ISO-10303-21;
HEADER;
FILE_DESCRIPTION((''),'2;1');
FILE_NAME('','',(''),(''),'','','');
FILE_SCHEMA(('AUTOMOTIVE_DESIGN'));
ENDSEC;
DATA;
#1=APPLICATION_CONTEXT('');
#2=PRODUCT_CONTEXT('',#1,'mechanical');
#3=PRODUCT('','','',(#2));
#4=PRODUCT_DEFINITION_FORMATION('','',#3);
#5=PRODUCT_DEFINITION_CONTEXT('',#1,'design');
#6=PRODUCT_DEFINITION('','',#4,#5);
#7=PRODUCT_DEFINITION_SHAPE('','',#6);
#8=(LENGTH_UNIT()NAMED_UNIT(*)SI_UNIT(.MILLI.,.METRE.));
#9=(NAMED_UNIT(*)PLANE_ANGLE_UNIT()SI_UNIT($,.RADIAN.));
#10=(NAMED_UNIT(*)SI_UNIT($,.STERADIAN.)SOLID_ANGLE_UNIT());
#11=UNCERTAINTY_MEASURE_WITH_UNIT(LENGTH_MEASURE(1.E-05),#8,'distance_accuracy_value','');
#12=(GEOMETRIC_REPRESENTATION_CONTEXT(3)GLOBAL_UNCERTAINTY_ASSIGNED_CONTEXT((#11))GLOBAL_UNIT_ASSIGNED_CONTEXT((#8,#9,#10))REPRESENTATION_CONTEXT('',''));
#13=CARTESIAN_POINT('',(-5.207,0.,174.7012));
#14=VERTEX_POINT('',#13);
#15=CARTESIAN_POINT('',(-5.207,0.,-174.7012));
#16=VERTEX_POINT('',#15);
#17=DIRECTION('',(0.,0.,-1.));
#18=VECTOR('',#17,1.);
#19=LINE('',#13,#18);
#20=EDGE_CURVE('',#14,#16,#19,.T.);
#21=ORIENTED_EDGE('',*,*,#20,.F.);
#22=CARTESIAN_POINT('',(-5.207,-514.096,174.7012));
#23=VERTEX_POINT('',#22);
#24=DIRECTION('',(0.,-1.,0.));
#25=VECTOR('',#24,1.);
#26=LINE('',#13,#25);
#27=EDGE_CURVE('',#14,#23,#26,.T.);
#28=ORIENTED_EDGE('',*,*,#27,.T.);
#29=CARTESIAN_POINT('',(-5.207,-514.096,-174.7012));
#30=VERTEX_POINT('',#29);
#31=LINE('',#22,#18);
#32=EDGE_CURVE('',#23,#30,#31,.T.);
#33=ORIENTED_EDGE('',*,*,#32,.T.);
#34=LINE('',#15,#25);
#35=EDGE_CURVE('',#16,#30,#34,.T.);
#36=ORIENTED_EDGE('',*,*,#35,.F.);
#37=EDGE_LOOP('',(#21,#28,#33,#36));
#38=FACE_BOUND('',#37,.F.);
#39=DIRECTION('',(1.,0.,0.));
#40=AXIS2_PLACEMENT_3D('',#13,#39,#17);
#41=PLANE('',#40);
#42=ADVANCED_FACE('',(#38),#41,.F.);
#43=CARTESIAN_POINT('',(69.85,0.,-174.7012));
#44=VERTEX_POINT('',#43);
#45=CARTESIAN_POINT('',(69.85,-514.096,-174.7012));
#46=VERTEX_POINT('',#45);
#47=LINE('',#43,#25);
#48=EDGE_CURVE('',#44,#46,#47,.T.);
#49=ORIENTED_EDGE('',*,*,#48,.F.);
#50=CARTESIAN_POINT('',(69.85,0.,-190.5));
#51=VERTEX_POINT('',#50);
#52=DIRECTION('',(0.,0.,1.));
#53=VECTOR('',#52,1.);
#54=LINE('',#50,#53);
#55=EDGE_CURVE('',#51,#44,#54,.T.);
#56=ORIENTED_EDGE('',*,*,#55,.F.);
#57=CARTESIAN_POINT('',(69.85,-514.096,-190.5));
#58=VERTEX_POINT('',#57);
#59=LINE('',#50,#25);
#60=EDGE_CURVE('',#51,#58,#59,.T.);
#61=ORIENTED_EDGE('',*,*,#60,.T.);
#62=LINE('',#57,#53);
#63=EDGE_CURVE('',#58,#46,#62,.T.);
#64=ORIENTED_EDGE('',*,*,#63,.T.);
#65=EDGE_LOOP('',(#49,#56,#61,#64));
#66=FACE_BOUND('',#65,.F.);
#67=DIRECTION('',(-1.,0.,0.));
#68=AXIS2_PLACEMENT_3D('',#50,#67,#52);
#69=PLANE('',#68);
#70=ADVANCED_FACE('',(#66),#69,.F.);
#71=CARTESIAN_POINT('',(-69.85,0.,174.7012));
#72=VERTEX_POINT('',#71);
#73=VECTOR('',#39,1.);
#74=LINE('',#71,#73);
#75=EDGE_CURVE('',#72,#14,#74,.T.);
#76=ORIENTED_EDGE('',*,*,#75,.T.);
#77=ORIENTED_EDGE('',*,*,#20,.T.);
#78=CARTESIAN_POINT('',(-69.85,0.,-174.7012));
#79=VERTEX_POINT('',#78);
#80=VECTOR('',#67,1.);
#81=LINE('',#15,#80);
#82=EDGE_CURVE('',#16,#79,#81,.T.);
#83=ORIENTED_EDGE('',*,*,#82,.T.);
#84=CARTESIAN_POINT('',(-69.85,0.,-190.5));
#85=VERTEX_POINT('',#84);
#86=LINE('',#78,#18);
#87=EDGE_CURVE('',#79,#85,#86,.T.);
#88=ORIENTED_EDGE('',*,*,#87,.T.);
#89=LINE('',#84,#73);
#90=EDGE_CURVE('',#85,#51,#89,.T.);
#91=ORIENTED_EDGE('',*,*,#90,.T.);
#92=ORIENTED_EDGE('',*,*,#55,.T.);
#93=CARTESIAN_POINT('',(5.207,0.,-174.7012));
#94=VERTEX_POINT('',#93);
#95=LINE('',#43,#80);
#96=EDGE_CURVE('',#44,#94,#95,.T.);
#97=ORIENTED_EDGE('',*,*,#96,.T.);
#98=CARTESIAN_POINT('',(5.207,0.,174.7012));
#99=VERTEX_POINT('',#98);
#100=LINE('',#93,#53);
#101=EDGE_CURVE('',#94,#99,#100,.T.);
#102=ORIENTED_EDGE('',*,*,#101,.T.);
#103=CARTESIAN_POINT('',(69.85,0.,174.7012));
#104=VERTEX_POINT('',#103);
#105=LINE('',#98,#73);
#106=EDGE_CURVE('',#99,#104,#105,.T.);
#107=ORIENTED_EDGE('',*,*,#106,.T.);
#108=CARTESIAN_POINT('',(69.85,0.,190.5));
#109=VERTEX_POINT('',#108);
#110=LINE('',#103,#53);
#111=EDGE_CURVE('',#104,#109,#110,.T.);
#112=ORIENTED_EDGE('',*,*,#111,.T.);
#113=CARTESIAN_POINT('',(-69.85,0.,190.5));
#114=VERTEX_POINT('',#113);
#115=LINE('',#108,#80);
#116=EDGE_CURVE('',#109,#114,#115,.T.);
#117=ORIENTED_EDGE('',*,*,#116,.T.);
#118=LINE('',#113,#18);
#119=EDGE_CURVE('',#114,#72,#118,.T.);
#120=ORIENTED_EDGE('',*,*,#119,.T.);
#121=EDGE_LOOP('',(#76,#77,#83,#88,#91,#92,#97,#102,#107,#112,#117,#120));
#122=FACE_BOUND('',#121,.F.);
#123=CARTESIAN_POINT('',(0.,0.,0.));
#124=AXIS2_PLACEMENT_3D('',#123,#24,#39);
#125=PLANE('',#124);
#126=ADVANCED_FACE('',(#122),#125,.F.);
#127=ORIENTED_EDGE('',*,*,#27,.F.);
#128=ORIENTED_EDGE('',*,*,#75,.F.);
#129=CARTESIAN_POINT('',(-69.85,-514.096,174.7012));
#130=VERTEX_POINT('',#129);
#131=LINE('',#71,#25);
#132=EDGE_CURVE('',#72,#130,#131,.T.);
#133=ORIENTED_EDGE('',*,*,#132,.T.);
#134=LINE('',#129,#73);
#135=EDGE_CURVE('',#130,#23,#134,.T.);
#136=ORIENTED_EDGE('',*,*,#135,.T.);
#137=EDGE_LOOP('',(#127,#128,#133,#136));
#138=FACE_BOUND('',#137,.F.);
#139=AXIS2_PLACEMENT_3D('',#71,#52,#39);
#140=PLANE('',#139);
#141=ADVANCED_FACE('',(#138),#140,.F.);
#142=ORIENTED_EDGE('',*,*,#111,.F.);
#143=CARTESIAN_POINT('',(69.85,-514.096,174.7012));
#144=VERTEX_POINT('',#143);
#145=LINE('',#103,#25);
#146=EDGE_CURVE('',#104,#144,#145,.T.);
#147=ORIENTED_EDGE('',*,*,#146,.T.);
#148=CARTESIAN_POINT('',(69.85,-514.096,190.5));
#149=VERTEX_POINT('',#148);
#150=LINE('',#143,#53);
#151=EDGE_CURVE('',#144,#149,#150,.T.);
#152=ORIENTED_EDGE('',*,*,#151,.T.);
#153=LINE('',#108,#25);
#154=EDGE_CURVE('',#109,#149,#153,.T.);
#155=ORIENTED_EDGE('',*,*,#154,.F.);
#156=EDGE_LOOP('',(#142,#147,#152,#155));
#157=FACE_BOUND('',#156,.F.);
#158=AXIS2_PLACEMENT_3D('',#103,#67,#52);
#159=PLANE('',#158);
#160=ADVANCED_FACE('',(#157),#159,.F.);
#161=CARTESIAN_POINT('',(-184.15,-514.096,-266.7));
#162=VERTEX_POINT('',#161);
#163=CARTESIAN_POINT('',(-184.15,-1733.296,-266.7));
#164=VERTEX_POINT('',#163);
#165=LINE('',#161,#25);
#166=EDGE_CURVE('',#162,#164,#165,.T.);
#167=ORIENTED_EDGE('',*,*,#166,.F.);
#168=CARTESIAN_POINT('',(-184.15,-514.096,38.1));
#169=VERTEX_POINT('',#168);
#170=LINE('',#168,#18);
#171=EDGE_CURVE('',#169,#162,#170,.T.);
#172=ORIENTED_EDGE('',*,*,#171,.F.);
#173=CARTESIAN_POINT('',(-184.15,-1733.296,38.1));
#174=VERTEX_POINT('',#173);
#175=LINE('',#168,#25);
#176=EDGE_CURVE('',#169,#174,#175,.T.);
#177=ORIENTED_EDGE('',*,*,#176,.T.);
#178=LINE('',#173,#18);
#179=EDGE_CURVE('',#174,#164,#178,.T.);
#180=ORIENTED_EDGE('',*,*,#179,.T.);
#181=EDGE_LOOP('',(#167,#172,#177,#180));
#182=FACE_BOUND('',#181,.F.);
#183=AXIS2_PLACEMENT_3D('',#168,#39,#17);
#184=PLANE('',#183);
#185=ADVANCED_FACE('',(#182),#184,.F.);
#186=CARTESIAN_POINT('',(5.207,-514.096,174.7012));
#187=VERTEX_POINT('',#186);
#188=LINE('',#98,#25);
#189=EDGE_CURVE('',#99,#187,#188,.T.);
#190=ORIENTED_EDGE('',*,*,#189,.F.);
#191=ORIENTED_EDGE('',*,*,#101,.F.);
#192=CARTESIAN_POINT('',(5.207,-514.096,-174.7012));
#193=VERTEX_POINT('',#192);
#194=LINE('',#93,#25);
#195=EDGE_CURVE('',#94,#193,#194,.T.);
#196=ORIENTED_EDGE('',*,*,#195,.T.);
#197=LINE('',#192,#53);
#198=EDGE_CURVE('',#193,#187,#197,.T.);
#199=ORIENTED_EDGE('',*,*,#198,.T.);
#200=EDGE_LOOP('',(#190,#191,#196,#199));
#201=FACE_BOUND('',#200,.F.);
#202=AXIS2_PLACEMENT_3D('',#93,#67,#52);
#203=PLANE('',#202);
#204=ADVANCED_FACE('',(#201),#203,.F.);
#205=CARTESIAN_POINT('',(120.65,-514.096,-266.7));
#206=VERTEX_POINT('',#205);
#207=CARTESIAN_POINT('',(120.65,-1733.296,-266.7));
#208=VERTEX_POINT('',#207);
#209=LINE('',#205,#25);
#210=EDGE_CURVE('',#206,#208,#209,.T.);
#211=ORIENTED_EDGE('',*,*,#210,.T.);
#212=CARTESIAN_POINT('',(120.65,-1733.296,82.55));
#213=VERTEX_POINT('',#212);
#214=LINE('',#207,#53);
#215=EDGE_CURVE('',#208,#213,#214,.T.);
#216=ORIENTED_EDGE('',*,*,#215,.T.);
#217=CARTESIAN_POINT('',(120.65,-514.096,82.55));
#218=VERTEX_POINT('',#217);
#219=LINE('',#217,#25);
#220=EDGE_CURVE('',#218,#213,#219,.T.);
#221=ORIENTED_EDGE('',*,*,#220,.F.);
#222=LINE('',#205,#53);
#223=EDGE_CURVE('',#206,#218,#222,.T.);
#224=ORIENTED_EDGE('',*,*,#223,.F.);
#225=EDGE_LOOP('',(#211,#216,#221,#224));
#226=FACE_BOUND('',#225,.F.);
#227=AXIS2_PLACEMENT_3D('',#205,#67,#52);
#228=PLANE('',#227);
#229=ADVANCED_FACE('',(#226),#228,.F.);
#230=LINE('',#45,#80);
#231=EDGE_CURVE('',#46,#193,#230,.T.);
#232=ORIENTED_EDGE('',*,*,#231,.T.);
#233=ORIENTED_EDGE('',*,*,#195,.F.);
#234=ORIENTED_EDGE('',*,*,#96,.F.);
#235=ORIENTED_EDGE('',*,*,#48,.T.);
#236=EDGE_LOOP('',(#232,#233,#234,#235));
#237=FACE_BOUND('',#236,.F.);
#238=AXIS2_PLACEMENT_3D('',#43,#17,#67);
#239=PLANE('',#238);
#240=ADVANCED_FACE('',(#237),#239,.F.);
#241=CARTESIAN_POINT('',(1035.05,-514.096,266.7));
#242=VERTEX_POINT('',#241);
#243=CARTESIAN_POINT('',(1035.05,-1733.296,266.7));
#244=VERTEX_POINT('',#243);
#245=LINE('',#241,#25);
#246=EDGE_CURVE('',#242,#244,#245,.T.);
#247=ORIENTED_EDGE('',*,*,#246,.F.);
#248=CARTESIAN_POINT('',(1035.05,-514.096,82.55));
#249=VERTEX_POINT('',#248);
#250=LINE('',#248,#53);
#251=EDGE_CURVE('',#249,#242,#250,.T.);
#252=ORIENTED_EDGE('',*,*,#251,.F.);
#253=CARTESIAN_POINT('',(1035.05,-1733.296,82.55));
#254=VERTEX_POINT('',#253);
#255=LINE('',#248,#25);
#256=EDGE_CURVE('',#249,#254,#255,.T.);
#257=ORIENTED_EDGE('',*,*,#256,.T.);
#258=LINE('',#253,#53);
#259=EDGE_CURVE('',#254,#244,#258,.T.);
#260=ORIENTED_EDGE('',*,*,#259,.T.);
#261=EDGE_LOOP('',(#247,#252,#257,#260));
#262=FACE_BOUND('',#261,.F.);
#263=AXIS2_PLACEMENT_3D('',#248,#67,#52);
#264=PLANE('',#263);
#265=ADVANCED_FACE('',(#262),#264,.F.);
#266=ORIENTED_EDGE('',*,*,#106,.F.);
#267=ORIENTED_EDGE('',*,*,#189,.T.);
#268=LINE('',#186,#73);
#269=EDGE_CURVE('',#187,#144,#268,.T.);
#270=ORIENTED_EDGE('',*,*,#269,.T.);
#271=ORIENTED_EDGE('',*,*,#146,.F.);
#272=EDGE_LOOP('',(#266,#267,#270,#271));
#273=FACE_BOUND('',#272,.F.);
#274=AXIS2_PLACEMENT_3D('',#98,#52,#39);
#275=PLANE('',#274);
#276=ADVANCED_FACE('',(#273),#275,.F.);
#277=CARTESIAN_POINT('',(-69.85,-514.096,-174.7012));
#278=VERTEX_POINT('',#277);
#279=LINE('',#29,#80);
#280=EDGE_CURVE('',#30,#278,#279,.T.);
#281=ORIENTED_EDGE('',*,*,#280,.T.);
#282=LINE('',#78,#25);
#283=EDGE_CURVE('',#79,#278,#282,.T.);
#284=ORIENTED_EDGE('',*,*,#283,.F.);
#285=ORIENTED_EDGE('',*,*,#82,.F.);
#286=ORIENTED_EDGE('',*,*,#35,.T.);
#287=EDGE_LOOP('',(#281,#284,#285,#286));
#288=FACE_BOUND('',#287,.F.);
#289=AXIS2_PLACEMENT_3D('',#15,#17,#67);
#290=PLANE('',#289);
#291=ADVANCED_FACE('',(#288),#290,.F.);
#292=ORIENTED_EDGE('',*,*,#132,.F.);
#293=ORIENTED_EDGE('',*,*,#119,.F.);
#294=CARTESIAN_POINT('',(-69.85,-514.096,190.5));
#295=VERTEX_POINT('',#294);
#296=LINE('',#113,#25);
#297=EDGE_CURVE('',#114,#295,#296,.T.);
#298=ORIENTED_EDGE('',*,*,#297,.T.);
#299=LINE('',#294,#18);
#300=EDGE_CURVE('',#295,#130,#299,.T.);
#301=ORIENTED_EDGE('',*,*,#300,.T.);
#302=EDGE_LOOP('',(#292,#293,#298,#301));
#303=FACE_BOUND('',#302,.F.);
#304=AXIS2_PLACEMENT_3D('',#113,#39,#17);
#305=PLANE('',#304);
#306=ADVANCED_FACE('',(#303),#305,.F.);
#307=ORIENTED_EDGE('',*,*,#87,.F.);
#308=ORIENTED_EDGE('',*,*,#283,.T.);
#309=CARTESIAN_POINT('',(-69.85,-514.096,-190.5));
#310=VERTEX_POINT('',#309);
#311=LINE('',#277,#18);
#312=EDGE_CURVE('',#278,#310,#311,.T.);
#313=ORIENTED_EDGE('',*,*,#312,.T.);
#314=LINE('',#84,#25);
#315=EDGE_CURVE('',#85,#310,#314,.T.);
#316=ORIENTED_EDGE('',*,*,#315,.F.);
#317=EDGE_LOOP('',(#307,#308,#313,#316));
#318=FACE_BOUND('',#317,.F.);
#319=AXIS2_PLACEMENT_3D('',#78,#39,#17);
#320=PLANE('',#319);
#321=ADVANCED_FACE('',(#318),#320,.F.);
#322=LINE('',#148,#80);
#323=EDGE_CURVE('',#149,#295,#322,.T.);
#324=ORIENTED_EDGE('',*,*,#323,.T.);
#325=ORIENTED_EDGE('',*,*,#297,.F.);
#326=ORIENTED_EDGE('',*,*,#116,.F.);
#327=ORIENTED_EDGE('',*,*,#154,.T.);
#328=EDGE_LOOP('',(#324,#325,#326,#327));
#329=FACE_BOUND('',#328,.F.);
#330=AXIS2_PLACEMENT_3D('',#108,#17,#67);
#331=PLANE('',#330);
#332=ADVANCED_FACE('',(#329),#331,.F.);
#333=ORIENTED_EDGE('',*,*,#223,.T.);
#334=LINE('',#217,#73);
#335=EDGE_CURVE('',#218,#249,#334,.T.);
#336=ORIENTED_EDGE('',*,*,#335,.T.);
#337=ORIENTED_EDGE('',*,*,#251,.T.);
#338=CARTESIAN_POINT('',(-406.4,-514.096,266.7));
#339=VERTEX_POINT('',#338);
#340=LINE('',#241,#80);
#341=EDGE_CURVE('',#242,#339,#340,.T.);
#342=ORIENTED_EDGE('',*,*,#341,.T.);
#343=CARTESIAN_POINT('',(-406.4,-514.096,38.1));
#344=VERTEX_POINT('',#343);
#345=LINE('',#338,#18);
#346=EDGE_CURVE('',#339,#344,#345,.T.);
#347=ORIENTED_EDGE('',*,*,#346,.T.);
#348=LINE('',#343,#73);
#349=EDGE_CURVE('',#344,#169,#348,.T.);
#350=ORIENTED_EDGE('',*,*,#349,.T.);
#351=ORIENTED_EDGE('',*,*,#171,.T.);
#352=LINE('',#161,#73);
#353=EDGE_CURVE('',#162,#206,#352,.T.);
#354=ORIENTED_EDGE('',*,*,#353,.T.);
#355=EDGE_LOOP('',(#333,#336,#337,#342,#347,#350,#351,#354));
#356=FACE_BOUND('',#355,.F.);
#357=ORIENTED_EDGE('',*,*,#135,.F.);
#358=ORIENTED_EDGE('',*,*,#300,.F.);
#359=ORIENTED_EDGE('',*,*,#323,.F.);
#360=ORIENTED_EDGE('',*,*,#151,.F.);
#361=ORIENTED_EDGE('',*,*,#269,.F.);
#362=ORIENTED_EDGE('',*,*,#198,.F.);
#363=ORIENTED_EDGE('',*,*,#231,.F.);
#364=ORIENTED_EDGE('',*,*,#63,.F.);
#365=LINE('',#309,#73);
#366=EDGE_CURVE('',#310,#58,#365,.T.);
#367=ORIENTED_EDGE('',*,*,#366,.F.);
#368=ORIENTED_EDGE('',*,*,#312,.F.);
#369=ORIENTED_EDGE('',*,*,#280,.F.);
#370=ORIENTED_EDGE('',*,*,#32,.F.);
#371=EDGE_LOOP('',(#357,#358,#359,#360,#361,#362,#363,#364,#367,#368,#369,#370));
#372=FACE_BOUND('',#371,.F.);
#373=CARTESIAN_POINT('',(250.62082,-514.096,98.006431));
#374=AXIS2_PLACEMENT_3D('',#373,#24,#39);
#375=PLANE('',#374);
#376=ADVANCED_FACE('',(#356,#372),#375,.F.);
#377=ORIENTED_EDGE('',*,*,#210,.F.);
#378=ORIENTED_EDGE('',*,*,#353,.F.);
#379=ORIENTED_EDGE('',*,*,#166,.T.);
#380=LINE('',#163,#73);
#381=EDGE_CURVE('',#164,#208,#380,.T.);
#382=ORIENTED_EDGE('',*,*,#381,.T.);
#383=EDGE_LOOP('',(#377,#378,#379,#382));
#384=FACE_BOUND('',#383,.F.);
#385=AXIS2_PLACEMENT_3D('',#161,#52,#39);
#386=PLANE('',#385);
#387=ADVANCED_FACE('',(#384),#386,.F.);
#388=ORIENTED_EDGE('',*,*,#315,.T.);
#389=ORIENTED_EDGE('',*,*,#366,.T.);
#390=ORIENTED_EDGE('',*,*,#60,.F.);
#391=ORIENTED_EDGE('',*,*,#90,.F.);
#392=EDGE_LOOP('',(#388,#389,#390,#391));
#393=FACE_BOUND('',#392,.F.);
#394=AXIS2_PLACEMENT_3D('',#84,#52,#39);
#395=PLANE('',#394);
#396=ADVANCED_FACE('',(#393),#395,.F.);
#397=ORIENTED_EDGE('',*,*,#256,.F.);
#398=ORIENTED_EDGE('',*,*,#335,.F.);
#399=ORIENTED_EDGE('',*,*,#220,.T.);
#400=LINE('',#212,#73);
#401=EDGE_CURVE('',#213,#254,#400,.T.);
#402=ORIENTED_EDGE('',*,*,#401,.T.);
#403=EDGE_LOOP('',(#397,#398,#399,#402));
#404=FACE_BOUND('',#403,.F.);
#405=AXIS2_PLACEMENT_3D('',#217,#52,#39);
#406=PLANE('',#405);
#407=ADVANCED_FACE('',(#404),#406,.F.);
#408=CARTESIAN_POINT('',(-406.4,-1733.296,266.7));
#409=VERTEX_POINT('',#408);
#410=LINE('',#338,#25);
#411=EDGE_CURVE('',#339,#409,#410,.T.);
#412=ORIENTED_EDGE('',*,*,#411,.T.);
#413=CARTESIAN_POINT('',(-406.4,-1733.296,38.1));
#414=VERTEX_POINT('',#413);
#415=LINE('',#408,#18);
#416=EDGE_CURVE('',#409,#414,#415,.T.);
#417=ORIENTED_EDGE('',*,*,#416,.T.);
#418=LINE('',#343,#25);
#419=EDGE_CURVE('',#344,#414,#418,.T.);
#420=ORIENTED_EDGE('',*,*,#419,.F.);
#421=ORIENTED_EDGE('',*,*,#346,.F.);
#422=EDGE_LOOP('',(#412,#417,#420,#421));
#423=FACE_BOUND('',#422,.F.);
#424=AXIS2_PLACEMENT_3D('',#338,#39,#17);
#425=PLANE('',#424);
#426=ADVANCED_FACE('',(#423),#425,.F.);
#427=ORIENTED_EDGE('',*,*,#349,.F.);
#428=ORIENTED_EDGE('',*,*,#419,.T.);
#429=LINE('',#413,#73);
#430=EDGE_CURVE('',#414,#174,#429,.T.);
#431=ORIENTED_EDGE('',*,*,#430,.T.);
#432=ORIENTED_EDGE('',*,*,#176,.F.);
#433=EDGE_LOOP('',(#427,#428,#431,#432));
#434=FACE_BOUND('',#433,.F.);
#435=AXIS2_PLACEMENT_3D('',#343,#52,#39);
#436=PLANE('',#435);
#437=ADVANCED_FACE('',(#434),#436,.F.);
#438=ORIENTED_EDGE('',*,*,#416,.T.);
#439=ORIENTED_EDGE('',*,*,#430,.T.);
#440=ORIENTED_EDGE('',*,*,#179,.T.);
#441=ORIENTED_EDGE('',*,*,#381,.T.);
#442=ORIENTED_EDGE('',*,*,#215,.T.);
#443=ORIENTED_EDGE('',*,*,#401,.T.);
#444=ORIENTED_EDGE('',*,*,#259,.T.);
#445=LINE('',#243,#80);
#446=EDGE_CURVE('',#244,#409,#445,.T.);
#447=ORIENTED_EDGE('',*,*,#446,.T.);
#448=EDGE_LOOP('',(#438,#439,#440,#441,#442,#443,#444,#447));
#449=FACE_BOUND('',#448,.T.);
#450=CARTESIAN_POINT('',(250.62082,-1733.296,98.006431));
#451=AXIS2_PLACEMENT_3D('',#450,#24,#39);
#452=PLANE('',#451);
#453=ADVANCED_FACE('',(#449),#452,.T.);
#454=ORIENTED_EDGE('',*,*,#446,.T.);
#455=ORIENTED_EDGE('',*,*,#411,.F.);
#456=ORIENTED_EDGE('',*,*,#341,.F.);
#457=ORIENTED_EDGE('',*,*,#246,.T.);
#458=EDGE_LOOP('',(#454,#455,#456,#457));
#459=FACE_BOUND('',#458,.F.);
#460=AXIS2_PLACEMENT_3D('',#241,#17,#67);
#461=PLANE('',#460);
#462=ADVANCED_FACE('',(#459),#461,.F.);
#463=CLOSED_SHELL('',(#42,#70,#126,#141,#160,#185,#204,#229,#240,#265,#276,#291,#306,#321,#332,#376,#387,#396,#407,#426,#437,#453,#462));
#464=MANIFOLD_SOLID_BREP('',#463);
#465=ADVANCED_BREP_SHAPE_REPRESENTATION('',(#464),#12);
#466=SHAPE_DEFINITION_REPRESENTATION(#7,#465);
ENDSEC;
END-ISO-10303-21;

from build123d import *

# Parameters (mm, degrees)
F1_DEPTH = 514.096
F3_DEPTH = 1219.2


with BuildPart() as f1:
    # F0 (on Front) → F1 (new body)
    with BuildSketch(Plane.XZ):
        Polygon((69.85, 190.5), (-69.85, 190.5), (-69.85, 174.7012), (-5.207, 174.7012), (-5.207, -174.7012), (-69.85, -174.7012), (-69.85, -190.5), (69.85, -190.5), (69.85, -174.7012), (5.207, -174.7012), (5.207, 174.7012), (69.85, 174.7012), align=None)
    extrude(amount=F1_DEPTH)

    # F2 (on face) → F3 (join)
    with BuildSketch(Plane.XZ.offset(514.096)):
        Polygon((1035.05, 82.55), (1035.05, 266.7), (-406.4, 266.7), (-406.4, 38.1), (-184.15, 38.1), (-184.15, -266.7), (120.65, -266.7), (120.65, 82.55), align=None)
    extrude(amount=F3_DEPTH)


solid = f1.part
